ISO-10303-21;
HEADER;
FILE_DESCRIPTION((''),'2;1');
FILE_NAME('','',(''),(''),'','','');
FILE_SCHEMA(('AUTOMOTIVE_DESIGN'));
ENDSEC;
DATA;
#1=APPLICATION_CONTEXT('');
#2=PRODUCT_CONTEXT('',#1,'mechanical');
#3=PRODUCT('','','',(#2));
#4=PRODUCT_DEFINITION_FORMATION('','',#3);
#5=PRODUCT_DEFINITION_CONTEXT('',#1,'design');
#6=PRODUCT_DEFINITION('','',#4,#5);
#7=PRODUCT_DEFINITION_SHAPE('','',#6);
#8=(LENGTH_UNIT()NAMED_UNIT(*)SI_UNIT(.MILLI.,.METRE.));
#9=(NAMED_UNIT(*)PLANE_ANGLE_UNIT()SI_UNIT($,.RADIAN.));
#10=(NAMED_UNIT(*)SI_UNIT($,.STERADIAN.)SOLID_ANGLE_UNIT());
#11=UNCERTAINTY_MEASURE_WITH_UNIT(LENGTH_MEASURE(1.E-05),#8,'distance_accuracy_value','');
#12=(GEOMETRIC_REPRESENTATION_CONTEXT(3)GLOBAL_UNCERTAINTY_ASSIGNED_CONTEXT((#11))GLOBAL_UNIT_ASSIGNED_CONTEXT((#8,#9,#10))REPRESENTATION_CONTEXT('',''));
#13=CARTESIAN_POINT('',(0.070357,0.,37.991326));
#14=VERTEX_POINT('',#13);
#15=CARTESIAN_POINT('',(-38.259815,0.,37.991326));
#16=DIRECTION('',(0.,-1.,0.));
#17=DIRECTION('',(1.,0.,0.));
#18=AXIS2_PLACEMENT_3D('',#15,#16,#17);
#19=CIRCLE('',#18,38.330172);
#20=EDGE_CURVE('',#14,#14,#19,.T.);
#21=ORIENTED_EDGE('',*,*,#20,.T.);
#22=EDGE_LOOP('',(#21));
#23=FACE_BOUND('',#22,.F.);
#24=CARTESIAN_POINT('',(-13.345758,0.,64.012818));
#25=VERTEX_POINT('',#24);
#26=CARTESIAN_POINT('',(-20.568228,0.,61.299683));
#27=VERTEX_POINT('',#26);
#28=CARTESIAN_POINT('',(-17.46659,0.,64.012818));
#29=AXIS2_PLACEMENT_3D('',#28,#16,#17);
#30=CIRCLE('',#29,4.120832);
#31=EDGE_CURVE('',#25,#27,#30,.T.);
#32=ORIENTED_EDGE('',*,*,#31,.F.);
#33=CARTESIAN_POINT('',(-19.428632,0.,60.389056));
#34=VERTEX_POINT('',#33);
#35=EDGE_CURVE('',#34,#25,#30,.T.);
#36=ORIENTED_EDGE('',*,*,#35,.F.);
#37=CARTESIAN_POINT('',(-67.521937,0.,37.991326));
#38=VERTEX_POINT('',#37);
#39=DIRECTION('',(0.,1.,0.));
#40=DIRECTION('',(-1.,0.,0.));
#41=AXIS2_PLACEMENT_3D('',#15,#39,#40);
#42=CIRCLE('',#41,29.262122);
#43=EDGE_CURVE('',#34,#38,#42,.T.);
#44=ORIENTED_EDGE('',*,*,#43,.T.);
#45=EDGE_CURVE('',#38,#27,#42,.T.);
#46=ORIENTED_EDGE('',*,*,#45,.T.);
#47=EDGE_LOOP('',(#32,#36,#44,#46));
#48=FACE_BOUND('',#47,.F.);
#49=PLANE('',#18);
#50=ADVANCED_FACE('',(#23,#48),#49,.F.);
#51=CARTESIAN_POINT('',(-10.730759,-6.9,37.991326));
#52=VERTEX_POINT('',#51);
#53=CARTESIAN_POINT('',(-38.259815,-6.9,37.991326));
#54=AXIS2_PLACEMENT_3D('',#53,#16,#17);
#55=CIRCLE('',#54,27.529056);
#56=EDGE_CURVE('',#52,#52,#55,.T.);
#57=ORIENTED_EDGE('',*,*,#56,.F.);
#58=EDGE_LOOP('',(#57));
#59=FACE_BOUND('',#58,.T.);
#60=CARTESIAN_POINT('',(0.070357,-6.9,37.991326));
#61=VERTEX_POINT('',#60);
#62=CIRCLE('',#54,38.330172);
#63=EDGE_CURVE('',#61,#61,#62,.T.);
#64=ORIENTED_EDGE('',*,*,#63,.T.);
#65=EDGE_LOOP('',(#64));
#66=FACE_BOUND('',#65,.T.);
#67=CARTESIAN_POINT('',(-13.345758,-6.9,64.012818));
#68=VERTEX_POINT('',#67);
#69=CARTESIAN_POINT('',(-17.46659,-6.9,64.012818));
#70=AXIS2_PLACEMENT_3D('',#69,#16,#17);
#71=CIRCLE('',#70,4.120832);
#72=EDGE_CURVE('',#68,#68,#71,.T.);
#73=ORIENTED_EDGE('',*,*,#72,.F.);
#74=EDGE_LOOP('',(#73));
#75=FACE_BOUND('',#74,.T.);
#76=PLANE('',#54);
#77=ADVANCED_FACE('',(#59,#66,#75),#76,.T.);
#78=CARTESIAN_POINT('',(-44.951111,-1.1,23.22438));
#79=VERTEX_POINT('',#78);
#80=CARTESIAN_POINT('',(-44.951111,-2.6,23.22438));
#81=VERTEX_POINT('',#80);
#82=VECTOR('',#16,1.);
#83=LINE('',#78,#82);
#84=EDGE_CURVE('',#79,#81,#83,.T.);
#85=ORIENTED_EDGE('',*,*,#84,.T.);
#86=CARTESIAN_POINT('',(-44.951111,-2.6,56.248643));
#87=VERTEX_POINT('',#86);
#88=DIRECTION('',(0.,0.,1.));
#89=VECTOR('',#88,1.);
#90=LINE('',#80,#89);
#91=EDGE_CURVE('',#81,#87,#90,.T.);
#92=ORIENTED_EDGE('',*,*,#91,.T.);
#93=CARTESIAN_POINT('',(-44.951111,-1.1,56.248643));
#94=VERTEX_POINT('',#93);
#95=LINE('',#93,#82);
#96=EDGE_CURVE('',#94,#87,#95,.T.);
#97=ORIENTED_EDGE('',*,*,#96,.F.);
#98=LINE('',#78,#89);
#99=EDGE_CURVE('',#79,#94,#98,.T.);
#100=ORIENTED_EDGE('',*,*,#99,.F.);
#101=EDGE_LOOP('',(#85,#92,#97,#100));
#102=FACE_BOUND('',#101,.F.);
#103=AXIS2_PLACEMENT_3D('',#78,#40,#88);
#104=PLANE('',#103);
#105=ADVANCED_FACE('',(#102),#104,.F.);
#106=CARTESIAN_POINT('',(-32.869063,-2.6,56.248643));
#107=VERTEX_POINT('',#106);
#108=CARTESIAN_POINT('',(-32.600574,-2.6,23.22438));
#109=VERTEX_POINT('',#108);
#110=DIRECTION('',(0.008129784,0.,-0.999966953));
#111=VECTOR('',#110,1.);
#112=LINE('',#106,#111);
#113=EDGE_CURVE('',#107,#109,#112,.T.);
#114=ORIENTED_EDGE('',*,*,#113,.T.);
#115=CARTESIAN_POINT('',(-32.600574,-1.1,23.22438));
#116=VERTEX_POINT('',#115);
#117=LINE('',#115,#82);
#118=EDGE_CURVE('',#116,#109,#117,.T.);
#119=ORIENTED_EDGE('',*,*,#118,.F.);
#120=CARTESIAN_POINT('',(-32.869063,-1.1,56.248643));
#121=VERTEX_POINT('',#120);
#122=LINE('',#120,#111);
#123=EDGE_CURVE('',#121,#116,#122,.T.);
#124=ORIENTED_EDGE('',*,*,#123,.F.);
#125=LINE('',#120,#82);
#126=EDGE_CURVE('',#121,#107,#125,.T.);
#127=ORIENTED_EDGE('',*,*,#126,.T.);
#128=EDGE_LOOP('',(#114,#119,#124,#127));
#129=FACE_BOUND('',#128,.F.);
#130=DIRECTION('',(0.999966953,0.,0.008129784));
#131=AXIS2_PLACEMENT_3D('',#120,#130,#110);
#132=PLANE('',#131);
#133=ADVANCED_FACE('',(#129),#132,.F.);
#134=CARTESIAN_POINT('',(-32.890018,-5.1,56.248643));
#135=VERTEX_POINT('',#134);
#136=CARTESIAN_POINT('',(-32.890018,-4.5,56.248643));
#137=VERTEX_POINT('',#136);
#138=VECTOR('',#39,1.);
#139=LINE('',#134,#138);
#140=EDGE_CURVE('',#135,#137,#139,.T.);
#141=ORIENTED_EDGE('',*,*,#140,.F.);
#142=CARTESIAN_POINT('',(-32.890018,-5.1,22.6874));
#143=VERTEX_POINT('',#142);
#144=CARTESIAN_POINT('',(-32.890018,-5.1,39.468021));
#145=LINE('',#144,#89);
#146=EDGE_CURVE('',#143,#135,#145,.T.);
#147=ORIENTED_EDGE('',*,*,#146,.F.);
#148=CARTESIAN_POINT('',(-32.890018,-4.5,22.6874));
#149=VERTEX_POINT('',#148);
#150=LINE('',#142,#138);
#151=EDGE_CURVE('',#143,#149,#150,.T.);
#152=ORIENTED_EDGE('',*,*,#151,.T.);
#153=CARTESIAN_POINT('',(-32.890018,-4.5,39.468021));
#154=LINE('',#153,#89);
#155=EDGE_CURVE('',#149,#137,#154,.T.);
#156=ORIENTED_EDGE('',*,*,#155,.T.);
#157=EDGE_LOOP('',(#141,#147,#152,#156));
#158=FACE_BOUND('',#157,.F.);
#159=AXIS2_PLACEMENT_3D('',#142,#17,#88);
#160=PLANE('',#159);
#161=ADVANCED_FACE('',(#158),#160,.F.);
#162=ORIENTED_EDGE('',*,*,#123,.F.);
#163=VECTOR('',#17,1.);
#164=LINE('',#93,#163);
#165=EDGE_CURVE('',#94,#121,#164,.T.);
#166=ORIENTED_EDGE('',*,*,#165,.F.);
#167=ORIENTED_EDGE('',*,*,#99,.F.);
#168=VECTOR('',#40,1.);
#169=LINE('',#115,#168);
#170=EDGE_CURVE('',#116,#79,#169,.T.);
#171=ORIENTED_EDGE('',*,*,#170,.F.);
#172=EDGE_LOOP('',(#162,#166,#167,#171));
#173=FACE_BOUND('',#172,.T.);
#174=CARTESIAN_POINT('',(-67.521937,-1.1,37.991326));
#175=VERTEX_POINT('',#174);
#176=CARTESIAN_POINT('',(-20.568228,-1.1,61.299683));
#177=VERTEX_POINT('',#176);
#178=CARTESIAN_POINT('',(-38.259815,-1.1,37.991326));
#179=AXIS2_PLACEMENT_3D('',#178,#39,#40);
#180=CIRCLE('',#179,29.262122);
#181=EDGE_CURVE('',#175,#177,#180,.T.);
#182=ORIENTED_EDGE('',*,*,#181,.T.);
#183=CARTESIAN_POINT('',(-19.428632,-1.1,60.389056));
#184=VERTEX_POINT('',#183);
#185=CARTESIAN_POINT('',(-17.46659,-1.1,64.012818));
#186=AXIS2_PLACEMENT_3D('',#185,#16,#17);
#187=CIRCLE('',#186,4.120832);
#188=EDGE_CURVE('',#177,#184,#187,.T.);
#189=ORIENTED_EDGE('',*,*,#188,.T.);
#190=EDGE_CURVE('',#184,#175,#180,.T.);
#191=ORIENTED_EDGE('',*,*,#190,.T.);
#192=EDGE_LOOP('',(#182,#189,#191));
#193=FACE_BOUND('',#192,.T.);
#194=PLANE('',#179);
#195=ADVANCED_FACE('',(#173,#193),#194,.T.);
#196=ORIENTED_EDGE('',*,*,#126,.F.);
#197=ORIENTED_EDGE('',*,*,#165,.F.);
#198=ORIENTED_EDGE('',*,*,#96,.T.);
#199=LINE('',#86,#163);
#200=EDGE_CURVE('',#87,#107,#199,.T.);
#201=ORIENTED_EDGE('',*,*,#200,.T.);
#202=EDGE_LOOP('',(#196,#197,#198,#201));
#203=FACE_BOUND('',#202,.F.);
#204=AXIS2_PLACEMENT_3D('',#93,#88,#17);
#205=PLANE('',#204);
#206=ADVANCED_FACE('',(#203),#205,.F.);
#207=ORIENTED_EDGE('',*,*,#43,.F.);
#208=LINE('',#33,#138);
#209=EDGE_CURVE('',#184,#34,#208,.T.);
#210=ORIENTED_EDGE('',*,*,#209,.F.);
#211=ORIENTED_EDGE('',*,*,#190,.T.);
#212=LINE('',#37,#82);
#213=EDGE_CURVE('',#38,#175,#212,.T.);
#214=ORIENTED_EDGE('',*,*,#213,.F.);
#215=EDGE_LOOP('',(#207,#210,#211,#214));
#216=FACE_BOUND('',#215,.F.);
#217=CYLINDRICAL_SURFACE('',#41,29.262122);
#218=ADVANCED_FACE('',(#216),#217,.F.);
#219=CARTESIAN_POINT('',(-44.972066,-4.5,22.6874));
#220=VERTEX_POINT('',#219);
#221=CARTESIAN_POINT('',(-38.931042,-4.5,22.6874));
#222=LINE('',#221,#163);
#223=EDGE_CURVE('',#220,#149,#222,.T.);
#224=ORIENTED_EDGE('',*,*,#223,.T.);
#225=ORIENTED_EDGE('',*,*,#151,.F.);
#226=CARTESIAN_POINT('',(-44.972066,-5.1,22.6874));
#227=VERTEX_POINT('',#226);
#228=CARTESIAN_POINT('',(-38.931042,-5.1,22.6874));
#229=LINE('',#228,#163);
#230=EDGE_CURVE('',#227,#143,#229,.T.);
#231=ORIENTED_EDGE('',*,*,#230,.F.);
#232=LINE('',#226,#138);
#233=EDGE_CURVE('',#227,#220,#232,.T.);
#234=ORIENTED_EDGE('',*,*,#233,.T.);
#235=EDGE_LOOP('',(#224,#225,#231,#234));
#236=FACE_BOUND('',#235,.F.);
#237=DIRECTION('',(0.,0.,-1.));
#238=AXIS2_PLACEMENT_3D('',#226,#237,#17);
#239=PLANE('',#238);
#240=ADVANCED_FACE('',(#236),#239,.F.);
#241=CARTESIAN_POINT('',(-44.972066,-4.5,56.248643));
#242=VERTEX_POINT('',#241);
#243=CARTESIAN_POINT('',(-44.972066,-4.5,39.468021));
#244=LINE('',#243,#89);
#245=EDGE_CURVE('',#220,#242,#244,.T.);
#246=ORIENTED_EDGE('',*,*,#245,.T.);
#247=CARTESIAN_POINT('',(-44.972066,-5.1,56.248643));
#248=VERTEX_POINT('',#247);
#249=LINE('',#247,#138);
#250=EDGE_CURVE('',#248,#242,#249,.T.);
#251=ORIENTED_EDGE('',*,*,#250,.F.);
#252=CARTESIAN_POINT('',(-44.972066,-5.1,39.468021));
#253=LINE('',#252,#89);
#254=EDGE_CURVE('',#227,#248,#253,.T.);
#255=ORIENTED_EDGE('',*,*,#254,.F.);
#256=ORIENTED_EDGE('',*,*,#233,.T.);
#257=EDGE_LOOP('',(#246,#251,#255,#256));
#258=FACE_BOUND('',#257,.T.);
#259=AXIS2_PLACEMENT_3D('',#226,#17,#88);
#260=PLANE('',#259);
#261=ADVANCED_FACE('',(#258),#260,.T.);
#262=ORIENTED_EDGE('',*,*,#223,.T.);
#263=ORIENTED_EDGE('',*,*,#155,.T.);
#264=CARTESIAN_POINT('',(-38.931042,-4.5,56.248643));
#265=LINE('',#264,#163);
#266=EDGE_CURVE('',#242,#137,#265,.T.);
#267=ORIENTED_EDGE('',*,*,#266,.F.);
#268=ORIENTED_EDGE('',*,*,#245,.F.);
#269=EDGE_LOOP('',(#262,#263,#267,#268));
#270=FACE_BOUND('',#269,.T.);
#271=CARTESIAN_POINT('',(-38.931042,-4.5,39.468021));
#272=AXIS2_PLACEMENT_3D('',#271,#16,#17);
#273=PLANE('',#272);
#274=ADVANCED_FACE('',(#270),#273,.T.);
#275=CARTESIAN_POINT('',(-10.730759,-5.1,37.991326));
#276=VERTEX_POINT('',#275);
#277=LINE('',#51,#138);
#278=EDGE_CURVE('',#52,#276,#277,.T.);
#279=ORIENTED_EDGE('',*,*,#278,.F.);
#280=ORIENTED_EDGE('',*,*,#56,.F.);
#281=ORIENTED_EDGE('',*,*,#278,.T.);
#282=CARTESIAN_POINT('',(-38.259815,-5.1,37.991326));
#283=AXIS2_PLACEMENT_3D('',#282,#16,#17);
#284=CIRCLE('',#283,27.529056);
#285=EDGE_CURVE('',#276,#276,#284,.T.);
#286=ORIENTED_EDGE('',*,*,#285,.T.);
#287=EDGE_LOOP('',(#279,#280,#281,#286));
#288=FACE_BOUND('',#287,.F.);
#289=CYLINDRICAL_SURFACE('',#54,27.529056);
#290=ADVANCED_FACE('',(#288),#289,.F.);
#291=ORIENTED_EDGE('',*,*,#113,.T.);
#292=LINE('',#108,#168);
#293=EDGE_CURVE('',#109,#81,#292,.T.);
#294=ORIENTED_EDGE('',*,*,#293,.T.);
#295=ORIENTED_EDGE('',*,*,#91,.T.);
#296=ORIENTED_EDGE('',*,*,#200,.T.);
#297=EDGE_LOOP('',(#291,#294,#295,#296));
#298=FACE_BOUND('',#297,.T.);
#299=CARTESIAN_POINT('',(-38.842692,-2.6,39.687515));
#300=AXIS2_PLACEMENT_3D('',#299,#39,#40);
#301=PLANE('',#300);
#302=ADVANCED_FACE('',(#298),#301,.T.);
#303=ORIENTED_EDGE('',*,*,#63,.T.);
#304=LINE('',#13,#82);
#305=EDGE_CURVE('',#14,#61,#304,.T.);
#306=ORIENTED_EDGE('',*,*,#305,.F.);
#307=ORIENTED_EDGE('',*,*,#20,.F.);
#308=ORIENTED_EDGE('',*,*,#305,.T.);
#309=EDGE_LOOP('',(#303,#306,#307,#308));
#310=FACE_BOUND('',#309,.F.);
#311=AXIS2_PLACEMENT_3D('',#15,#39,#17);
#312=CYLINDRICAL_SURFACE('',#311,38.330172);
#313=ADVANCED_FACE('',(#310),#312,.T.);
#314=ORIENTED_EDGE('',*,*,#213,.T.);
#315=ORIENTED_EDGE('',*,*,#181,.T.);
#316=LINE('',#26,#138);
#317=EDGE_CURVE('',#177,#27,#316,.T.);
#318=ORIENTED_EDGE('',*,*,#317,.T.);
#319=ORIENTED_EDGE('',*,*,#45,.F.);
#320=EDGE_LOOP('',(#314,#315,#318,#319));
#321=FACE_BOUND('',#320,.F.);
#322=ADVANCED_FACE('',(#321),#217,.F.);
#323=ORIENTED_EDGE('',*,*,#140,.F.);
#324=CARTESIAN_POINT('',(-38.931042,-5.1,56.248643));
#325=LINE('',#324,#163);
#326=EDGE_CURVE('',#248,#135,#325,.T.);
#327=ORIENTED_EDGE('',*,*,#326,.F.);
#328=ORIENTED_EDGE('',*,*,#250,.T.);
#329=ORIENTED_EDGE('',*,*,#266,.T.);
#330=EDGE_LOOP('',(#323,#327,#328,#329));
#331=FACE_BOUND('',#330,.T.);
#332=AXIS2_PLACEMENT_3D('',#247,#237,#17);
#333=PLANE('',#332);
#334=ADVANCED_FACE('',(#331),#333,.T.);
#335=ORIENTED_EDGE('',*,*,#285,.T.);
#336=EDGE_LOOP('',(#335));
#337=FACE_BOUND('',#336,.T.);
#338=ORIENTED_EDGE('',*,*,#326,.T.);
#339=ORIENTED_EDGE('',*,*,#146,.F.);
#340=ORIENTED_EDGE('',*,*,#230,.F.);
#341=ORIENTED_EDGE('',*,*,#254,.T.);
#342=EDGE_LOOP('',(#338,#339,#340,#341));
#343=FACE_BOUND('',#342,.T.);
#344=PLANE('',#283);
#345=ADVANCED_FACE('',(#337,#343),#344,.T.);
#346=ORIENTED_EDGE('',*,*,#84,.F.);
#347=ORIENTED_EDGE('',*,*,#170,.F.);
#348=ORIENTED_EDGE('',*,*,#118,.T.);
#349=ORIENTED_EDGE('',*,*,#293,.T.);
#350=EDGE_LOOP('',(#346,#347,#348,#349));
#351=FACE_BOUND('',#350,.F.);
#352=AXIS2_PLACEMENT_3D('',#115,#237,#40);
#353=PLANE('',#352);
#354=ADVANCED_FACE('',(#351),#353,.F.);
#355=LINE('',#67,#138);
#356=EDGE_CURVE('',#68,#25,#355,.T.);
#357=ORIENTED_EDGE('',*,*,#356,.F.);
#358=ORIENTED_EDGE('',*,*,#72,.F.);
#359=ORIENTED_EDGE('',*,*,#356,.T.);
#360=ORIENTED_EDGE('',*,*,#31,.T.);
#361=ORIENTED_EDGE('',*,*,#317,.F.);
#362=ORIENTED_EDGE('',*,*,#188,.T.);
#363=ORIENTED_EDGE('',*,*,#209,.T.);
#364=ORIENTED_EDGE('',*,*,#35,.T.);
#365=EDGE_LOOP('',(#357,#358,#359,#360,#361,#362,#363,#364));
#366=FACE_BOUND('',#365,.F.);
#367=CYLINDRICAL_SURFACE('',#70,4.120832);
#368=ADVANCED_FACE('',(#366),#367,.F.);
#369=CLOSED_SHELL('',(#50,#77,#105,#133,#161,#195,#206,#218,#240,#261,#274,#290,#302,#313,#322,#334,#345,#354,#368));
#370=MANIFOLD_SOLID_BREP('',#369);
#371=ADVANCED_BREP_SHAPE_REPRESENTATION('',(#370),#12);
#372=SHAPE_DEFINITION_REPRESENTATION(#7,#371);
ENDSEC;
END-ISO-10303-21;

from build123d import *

# Parameters (mm, degrees)
F0_R      = 38.330172
F1_DEPTH  = 6.9
F2_R      = 27.529056
F3_DEPTH  = 1.8
F4_R      = 29.262122
F5_DEPTH  = 1.1
F8_DEPTH  = 1.5
F6_W      = 12.082048
F6_H      = 33.561243
F9_DEPTH  = 0.6
F10_R     = 4.120832
F11_DEPTH = 25


with BuildPart() as f1:
    # F0 (on Front) → F1 (new body)
    with BuildSketch(Plane.XZ):
        with Locations((-38.259815, 37.991326)):
            Circle(F0_R)
    extrude(amount=F1_DEPTH)

    # F2 (on face) → F3 (cut)
    with BuildSketch(Plane.XZ.offset(6.9)):
        with Locations((-38.259815, 37.991326)):
            Circle(F2_R)
    extrude(amount=-F3_DEPTH, mode=Mode.SUBTRACT)

    # F4 (on face) → F5 (cut)
    with BuildSketch(Plane(origin=(0, 0, 0), x_dir=(-1, 0, 0), z_dir=(0, 1, 0))):
        with Locations((38.259815, 37.991326)):
            Circle(F4_R)
    extrude(amount=-F5_DEPTH, mode=Mode.SUBTRACT)

    # F7 (on face) → F8 (cut)
    with BuildSketch(Plane(origin=(0, -1.1, 0), x_dir=(-1, 0, 0), z_dir=(0, 1, 0))):
        Polygon((44.951111, 56.248643), (32.869063, 56.248643), (32.600574, 23.22438), (44.951111, 23.22438), align=None)
    extrude(amount=-F8_DEPTH, mode=Mode.SUBTRACT)

    # F6 (on face) → F9 (cut)
    with BuildSketch(Plane.XZ.offset(5.1)):
        with Locations((-38.931042, 39.468021)):
            Rectangle(F6_W, F6_H)
    extrude(amount=-F9_DEPTH, mode=Mode.SUBTRACT)

    # F10 (on face) → F11 (cut)
    with BuildSketch(Plane.XZ.offset(6.9)):
        with Locations((-17.46659, 64.012818)):
            Circle(F10_R)
    extrude(amount=-F11_DEPTH, mode=Mode.SUBTRACT)


solid = f1.part
